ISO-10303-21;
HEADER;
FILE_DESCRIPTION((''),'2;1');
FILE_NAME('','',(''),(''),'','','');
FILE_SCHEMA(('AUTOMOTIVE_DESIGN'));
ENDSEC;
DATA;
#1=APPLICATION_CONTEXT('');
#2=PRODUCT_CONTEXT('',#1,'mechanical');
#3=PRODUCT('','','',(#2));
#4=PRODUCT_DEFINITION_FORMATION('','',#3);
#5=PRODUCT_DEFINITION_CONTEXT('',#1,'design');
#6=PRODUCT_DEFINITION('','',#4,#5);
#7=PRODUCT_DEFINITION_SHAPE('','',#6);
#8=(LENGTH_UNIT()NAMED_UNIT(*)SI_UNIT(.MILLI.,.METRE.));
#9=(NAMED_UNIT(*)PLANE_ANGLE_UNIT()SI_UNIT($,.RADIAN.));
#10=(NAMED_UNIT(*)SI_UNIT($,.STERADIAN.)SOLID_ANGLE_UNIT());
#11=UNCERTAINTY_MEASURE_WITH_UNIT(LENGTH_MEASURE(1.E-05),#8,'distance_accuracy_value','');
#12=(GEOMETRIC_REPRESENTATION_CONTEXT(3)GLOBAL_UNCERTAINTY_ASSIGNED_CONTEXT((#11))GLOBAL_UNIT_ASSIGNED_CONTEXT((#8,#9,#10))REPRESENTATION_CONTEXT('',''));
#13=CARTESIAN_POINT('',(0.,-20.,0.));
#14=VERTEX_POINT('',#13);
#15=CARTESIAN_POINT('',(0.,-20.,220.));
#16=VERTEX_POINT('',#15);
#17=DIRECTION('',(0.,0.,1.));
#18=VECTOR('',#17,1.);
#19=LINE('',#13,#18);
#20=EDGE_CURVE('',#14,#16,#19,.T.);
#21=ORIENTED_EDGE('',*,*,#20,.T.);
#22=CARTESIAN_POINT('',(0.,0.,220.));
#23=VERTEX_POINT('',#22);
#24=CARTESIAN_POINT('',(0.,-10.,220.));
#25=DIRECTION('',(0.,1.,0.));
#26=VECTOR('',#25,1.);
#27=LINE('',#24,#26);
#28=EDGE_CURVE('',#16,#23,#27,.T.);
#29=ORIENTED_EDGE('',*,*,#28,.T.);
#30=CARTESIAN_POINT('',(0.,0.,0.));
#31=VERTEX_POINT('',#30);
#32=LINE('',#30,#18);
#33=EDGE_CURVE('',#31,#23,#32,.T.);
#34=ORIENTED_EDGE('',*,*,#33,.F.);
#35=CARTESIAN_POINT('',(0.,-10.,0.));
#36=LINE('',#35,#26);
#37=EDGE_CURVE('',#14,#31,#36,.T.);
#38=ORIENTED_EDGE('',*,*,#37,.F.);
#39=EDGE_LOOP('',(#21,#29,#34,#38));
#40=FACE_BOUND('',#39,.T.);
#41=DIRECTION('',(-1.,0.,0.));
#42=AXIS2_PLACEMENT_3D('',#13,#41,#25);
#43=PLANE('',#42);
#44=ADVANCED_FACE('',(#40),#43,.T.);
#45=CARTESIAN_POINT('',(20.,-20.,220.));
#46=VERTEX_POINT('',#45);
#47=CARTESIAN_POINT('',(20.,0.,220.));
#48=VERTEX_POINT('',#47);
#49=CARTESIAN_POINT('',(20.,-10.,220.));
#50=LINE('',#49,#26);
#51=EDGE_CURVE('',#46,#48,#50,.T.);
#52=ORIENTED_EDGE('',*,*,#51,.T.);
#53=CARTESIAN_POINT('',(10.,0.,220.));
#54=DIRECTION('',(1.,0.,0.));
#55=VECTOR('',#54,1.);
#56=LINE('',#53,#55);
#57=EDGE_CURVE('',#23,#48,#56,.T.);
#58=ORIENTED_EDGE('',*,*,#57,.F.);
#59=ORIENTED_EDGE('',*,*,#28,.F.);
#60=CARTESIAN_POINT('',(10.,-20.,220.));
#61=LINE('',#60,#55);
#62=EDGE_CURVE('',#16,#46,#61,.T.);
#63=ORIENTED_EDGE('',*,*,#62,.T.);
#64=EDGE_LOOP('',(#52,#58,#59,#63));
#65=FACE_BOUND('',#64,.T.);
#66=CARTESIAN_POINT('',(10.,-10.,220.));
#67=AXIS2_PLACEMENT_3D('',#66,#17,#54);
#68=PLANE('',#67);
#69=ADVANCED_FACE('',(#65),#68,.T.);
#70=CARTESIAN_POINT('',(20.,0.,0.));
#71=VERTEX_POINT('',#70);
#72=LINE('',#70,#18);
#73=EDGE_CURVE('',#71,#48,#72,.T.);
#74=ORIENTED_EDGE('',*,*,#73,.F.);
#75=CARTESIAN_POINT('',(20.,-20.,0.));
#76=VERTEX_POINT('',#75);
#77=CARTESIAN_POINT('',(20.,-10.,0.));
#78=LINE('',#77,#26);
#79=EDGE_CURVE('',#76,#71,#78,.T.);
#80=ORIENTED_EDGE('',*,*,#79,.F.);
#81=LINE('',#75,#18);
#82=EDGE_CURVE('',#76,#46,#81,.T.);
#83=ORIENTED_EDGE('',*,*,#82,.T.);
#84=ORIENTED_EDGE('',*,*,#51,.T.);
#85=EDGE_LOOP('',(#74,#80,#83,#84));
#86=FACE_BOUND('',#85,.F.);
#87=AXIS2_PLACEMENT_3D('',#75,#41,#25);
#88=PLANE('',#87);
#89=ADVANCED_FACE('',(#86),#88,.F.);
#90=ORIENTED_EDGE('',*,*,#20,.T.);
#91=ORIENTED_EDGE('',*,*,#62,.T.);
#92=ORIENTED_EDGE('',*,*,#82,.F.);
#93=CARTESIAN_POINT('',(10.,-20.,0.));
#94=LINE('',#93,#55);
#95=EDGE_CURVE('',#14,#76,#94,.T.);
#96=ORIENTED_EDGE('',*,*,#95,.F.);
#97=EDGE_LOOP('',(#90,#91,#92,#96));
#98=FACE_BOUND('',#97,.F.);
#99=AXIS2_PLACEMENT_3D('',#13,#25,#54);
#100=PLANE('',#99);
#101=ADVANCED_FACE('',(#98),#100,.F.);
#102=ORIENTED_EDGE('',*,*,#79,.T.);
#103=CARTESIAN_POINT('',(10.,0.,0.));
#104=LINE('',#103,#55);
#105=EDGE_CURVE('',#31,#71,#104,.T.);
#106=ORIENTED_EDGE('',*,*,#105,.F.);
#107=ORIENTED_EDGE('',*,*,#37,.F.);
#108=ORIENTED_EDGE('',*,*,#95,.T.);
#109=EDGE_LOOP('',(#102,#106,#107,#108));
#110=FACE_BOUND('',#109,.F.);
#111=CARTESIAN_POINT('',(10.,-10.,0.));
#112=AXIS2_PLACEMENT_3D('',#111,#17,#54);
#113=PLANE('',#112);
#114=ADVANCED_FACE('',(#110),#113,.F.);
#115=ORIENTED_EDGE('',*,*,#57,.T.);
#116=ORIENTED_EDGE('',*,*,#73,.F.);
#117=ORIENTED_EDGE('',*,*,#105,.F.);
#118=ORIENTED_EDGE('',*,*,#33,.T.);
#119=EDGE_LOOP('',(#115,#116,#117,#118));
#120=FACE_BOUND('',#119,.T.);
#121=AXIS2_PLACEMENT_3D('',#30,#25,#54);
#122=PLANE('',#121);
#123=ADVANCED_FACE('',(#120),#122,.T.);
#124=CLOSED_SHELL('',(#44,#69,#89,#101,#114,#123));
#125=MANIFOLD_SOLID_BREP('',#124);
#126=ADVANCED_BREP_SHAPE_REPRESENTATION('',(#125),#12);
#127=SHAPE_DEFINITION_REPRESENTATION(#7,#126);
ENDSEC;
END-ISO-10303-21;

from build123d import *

# Parameters (mm, degrees)
SKETCH_W  = 20
SKETCH_H  = 20
PAD_DEPTH = 220


with BuildPart() as part:
    # Sketch → Pad (new body)
    with BuildSketch(Plane.XY):
        with Locations((10, -10)):
            Rectangle(SKETCH_W, SKETCH_H)
    extrude(amount=PAD_DEPTH)


solid = part.part
